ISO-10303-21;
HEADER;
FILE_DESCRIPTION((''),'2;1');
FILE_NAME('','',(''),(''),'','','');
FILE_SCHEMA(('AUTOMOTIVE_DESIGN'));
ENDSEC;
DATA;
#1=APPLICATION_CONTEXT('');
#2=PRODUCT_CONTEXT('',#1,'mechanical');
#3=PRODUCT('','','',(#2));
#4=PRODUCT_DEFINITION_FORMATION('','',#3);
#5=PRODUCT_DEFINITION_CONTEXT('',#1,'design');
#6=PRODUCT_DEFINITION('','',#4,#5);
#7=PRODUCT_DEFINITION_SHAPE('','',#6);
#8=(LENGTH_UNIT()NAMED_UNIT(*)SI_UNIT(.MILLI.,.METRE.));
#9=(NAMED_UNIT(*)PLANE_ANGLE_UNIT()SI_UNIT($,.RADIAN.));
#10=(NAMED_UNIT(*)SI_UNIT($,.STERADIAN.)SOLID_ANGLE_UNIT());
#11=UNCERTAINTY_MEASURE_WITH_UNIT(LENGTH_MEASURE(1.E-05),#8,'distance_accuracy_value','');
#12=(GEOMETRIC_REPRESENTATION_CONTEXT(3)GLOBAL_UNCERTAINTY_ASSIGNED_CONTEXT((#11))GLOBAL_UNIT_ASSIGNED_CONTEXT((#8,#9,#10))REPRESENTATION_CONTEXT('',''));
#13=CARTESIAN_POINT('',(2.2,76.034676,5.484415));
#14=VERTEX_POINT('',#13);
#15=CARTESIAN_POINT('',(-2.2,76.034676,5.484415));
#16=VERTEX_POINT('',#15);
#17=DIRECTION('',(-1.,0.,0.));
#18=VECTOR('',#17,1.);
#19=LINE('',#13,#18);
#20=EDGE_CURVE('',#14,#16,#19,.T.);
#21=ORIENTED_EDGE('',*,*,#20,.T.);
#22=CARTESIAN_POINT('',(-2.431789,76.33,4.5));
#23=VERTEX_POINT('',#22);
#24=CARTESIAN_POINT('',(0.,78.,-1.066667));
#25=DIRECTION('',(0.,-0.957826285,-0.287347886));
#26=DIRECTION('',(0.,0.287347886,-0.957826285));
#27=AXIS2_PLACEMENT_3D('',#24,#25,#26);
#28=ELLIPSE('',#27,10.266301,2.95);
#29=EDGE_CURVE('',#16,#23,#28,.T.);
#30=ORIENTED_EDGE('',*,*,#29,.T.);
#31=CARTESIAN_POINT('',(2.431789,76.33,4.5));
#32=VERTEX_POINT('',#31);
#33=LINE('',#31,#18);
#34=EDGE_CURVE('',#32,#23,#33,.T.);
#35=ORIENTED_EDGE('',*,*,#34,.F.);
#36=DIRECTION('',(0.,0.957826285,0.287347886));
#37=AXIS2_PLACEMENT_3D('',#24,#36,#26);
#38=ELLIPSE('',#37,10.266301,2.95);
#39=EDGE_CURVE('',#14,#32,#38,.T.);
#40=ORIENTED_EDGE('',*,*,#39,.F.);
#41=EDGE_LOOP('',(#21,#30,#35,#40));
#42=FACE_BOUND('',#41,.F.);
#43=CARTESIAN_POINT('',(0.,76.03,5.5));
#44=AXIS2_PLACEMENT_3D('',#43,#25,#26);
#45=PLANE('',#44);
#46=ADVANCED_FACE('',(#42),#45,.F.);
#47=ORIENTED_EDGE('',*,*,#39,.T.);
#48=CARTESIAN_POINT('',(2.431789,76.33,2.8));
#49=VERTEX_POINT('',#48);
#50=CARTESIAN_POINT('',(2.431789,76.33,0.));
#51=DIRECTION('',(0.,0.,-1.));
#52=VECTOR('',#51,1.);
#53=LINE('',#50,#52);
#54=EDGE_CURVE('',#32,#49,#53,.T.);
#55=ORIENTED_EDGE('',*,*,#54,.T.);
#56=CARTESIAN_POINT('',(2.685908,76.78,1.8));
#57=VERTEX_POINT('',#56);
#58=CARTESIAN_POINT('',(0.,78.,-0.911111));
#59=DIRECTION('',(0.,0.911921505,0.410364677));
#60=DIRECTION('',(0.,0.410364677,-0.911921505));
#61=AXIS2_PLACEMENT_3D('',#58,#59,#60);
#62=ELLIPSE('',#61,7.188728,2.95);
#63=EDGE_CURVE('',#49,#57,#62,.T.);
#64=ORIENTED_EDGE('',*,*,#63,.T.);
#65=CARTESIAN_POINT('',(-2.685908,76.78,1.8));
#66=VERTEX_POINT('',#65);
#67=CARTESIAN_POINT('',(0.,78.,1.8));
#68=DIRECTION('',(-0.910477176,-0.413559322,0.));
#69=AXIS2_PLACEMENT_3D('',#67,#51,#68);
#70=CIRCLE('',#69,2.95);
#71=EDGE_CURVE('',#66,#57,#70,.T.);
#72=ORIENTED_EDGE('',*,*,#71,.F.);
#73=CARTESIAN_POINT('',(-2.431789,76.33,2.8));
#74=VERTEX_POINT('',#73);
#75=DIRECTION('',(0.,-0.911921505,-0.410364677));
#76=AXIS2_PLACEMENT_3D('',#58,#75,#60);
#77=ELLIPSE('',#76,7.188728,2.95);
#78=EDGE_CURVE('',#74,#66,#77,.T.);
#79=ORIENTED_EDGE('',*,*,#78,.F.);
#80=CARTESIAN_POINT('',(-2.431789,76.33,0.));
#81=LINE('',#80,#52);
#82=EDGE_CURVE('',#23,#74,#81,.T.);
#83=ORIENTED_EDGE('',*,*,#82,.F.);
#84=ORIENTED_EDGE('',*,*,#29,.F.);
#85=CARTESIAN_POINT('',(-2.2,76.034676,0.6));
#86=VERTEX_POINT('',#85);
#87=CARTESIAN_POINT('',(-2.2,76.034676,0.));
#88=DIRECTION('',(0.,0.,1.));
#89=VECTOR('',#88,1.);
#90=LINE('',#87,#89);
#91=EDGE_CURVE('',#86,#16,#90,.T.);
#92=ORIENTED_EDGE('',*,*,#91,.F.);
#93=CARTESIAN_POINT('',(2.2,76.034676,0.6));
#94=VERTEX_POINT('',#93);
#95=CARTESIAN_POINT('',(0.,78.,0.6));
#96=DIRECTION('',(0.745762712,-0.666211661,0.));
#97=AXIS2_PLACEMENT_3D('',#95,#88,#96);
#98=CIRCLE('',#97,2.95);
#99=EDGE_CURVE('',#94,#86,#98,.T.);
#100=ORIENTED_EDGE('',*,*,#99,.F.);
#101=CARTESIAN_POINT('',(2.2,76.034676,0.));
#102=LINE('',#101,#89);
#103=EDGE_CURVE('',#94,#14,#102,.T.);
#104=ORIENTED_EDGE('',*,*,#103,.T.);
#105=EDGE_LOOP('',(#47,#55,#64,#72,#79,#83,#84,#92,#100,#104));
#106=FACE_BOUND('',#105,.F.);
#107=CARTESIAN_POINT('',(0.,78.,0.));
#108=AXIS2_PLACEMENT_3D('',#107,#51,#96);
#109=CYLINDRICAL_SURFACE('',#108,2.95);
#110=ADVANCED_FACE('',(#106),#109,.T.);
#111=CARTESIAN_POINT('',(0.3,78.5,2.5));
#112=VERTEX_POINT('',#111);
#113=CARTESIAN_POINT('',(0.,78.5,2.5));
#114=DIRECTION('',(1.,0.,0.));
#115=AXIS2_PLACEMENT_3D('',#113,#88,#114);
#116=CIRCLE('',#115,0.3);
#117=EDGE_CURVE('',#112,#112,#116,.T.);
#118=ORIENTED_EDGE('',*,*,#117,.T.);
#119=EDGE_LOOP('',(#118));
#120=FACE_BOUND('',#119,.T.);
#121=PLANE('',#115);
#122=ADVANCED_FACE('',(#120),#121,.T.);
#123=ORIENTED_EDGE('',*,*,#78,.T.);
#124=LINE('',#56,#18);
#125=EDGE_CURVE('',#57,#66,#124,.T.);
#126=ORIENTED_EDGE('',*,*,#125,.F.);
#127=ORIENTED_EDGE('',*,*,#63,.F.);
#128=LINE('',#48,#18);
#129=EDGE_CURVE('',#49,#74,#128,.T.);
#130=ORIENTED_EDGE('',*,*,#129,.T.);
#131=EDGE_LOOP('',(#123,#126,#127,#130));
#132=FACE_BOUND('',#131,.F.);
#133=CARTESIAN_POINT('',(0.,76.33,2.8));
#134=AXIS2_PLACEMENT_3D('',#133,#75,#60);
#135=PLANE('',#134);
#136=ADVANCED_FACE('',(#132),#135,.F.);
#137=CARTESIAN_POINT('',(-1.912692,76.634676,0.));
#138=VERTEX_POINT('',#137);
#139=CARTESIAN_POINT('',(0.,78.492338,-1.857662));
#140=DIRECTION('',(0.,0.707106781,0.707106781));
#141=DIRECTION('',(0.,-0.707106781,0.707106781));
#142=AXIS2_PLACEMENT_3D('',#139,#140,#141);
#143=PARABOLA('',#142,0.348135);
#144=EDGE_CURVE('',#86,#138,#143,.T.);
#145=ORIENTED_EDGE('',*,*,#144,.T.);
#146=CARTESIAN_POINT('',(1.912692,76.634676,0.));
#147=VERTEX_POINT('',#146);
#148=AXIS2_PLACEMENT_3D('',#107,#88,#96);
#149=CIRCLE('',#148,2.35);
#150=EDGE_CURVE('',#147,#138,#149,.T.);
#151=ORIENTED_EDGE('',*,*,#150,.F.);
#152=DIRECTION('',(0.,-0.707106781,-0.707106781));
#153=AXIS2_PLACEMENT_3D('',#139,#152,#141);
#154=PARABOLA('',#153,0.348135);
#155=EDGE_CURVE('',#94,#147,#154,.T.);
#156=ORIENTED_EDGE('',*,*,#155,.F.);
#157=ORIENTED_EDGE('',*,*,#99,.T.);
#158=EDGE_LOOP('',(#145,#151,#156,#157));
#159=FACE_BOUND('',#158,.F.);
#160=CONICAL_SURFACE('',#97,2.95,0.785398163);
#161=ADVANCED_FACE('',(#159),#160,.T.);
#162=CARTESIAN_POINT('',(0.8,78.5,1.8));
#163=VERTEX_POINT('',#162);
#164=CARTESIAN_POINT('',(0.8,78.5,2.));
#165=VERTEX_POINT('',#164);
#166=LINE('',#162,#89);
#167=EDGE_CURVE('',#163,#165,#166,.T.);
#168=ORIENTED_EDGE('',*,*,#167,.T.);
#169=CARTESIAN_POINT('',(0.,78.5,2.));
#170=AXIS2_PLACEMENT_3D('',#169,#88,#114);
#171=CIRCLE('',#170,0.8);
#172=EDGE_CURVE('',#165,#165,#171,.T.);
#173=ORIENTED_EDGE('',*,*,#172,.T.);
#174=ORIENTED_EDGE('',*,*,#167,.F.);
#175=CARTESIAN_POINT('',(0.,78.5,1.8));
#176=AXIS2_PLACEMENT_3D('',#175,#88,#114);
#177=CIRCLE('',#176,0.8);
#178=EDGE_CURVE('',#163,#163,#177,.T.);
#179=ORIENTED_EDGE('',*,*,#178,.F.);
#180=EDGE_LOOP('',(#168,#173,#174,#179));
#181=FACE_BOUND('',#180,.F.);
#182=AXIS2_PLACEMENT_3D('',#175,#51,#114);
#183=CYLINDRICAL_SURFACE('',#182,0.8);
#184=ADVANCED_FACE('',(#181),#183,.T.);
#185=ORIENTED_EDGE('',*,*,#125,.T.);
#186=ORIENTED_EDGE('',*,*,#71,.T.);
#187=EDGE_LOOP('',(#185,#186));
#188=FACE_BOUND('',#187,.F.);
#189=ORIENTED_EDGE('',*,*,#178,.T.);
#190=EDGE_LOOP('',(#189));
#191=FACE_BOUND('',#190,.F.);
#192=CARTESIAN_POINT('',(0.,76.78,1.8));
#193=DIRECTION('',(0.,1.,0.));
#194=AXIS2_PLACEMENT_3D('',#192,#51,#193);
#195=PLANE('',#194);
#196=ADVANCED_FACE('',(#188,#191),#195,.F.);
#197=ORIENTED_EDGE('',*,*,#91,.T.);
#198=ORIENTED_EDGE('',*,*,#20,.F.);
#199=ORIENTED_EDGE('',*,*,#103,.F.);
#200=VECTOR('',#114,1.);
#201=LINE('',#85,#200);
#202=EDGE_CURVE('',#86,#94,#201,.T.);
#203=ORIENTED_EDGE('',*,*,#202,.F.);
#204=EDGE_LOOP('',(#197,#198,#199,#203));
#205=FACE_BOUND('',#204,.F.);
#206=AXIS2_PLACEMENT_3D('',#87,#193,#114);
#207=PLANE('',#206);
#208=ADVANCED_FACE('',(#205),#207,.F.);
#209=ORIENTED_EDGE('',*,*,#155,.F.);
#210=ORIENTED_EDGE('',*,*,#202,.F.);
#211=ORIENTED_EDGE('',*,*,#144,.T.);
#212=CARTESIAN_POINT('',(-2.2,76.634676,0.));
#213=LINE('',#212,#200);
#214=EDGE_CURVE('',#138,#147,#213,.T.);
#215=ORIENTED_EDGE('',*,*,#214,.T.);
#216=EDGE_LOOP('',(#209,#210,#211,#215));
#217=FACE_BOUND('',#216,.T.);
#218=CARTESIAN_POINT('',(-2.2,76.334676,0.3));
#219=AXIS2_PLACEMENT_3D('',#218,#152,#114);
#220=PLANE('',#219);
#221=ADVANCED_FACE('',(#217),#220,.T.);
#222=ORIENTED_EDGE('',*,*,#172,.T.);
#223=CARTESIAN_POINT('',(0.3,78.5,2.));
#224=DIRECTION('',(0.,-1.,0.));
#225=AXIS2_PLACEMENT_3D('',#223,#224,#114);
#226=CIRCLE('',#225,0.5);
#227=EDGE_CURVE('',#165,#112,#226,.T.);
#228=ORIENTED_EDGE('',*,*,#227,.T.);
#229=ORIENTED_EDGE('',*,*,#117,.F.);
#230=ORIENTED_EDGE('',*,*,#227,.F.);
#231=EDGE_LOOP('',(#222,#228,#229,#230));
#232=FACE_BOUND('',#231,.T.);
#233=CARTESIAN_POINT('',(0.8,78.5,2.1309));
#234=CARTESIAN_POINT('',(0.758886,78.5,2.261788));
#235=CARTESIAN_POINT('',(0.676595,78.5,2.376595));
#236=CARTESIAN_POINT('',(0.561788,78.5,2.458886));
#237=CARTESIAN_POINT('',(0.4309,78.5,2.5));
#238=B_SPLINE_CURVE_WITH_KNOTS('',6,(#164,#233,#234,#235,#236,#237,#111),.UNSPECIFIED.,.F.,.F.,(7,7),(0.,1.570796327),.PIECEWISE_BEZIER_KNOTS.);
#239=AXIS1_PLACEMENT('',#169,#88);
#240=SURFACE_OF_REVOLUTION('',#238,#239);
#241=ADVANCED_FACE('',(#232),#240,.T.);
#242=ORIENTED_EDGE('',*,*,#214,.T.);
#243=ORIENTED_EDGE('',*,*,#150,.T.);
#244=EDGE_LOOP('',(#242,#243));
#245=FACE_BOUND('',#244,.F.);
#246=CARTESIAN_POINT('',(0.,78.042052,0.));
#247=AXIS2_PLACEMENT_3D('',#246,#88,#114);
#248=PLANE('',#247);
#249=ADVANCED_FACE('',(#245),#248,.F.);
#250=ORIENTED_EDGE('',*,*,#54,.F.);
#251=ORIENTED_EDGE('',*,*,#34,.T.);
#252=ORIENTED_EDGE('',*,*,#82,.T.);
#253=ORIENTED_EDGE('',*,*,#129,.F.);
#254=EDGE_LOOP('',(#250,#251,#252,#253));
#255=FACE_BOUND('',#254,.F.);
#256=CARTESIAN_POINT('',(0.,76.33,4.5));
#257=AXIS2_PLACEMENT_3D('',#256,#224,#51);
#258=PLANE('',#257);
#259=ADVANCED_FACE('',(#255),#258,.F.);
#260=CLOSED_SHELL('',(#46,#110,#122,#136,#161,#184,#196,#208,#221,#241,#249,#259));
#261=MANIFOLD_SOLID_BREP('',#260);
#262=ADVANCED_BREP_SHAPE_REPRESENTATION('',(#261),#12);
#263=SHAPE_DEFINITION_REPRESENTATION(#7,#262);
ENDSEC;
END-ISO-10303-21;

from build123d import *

# Parameters (mm, degrees)
PAD003_DEPTH         = 5.5
POCKET004_DEPTH      = 2.951
POCKET004_DEPTH_BACK = 2.951
SKETCH013_R          = 0.8
PAD006_DEPTH         = 0.7
FILLET_R             = 0.5
CHAMFER004_SIZE      = 0.6


with BuildPart() as part:
    # Sketch004 → Pad003 (new body)
    with BuildSketch(Plane.XY):
        with BuildLine():
            ThreePointArc((2.2, -1.9653244007), (0, 2.95), (-2.2, -1.9653244007))
            Line((-2.2, -1.9653244007), (2.2, -1.9653244007))
        make_face()
    extrude(amount=PAD003_DEPTH)

    # Sketch014 → Pocket004 (cut, two sides)
    with BuildSketch(Plane.YZ) as pocket004_sk:
        Polygon((-1.97, 5.5), (-1.67, 4.5), (-1.67, 2.8), (-1.22, 1.8), (4, 1.8), (4, 5.5), align=None)
    extrude(amount=-POCKET004_DEPTH, mode=Mode.SUBTRACT)
    extrude(pocket004_sk.sketch, amount=POCKET004_DEPTH_BACK, mode=Mode.SUBTRACT)

    # Sketch013 (on Face7 of Pocket004) → Pad006 (join)
    with BuildSketch(Plane.XY.offset(1.8)):
        with Locations((0, 0.5)):
            Circle(SKETCH013_R)
    extrude(amount=PAD006_DEPTH)

    # Fillet
    fillet_edges = [part.edges().sort_by_distance(p)[0] for p in [
        (-0.8, 0.5, 2.5),
    ]]
    fillet(fillet_edges, radius=FILLET_R)

    # Chamfer004
    chamfer004_edges = [part.edges().sort_by_distance(p)[0] for p in [
        (0, 2.95, 0),
        (0, -1.965324, 0),
    ]]
    chamfer(chamfer004_edges, length=CHAMFER004_SIZE)


with BuildPart() as part_1:
    # Body032 placement: moved
    add(part.part.moved(Location((0, 78, 0))))


solid = part_1.part
